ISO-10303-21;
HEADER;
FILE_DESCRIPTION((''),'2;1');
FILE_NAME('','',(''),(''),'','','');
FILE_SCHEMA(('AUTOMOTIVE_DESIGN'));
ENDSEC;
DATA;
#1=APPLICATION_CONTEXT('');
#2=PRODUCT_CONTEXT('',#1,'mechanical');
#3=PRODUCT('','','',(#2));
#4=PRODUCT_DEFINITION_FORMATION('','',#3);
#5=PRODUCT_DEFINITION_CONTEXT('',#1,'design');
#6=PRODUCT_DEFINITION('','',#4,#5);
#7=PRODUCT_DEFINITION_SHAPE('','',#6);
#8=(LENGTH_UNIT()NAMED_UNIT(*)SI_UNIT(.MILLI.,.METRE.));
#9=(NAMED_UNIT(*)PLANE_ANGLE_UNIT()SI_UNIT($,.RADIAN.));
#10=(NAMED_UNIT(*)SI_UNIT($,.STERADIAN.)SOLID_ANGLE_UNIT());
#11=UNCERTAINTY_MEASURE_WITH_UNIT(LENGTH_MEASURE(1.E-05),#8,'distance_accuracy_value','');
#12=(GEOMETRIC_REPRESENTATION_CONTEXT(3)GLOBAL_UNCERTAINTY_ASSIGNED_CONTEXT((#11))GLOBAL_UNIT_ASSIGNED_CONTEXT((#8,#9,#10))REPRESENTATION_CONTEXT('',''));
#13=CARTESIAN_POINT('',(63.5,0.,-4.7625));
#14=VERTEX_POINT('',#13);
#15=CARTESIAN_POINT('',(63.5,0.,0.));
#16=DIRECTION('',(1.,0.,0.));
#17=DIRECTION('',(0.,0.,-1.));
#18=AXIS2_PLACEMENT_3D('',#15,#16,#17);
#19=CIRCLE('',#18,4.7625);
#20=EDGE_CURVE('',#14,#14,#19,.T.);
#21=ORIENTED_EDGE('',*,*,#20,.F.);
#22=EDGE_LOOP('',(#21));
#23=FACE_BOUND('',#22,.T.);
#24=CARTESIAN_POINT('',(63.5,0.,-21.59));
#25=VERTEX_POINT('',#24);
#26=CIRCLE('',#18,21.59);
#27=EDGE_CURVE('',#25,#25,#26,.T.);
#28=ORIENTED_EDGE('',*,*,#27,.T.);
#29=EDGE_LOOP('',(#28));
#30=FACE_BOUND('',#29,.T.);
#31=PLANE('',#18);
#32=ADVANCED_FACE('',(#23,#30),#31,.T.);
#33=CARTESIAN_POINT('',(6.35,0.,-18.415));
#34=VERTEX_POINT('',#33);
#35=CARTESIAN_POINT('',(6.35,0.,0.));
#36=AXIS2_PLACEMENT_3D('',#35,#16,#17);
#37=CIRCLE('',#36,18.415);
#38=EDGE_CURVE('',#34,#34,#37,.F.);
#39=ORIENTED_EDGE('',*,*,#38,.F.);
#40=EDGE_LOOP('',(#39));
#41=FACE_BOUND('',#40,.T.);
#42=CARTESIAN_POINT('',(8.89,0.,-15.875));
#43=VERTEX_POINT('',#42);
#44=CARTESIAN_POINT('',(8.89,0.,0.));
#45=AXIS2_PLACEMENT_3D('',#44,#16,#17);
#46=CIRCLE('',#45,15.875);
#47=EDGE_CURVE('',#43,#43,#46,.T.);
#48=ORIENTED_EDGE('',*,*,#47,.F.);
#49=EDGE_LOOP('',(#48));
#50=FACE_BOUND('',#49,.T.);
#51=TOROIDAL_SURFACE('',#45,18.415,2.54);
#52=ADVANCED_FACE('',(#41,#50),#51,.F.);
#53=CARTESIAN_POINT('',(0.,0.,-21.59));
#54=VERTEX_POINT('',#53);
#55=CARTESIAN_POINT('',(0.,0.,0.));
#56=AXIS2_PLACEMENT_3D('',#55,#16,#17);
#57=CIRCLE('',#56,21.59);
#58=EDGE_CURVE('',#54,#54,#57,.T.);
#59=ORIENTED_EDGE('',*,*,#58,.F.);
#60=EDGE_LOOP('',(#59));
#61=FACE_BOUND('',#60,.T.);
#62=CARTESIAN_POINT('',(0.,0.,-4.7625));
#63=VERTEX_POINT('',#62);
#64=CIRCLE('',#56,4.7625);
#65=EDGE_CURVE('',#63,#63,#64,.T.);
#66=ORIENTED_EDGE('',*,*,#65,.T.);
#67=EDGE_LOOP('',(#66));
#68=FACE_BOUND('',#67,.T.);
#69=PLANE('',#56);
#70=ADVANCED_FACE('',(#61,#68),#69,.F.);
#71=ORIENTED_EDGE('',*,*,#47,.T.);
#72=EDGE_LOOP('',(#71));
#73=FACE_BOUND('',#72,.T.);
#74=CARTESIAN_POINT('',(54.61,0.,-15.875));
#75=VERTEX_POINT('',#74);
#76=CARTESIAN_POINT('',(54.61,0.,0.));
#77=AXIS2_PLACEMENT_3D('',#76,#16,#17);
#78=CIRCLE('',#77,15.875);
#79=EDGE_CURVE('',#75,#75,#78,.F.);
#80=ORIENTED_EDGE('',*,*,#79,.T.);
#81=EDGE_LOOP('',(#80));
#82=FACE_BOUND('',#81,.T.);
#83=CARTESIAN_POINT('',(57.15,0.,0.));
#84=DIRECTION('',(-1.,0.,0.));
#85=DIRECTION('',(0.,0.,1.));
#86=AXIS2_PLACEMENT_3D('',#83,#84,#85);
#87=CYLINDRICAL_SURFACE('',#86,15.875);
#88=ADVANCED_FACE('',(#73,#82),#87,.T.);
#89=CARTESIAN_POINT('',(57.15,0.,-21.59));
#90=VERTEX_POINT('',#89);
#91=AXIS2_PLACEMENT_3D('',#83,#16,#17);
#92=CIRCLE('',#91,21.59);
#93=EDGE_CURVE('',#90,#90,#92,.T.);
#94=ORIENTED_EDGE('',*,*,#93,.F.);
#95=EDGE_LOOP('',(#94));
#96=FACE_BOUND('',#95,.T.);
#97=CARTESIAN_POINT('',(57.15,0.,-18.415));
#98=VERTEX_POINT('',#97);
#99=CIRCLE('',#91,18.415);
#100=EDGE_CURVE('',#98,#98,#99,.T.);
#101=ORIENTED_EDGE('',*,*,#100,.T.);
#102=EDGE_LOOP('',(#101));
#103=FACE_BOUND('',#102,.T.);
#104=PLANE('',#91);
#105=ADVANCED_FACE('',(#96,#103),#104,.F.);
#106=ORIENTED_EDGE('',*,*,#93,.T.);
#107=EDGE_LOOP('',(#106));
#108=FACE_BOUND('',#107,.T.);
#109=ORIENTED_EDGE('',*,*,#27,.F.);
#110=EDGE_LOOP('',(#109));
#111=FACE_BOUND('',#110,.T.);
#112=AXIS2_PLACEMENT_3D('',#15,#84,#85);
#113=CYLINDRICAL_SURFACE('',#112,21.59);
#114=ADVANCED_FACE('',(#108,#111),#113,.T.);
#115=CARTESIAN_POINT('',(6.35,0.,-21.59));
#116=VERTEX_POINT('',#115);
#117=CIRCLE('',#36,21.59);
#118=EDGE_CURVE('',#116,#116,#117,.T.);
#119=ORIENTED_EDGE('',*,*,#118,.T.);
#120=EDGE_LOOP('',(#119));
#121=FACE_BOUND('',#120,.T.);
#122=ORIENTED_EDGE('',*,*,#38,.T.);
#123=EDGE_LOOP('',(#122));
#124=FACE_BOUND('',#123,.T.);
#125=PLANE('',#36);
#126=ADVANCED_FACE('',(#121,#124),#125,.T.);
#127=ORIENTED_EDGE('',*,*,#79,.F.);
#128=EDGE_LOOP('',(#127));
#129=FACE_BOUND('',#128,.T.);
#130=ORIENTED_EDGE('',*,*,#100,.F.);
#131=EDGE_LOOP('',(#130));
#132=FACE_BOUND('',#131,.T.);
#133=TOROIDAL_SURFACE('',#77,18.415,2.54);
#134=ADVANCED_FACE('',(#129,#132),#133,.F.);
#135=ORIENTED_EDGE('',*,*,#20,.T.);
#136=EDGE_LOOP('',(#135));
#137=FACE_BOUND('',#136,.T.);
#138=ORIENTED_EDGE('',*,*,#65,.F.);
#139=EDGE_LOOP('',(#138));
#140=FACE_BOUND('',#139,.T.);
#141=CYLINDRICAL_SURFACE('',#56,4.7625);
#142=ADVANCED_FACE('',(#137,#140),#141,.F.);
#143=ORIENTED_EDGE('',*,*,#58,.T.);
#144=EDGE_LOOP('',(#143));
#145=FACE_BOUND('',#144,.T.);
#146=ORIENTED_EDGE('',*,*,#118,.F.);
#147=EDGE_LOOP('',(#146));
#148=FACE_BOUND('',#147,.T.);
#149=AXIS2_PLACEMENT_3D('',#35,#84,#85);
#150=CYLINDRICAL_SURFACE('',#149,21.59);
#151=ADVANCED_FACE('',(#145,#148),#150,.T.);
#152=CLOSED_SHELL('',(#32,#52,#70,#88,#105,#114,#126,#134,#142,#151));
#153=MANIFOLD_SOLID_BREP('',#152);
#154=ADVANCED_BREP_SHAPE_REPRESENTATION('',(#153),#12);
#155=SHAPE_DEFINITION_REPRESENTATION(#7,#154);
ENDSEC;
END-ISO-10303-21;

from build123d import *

# Parameters (mm, degrees)
SKETCH1_R           = 21.59
BOSS_EXTRUDE1_DEPTH = 6.35
SKETCH2_R           = 15.875
BOSS_EXTRUDE2_DEPTH = 50.8
FILLET1_R           = 2.54
SKETCH3_R           = 21.59
BOSS_EXTRUDE3_DEPTH = 6.35
FILLET2_R           = 2.54
SKETCH4_R           = 4.7625
CUT_EXTRUDE1_DEPTH  = 71.459252054


with BuildPart() as part:
    # Sketch1 → Boss-Extrude1 (new body)
    with BuildSketch(Plane(origin=(0, 0, 0), x_dir=(0, 0, -1), z_dir=(1, 0, 0))):
        Circle(SKETCH1_R)
    extrude(amount=BOSS_EXTRUDE1_DEPTH)

    # Sketch2 → Boss-Extrude2 (add)
    with BuildSketch(Plane(origin=(6.35, 0, 0), x_dir=(0, 0, -1), z_dir=(1, 0, 0))):
        Circle(SKETCH2_R)
    extrude(amount=BOSS_EXTRUDE2_DEPTH)

    # Fillet1
    fillet1_edges = [part.edges().sort_by_distance(p)[0] for p in [
        (6.35, 0, 15.875),
    ]]
    fillet(fillet1_edges, radius=FILLET1_R)

    # Sketch3 → Boss-Extrude3 (add)
    with BuildSketch(Plane(origin=(57.15, 0, 0), x_dir=(0, 0, -1), z_dir=(1, 0, 0))):
        Circle(SKETCH3_R)
    extrude(amount=BOSS_EXTRUDE3_DEPTH)

    # Fillet2
    fillet2_edges = [part.edges().sort_by_distance(p)[0] for p in [
        (57.15, 0, 15.875),
    ]]
    fillet(fillet2_edges, radius=FILLET2_R)

    # Sketch4 → Cut-Extrude1 (cut, through all)
    with BuildSketch(Plane(origin=(63.5, 0, 0), x_dir=(0, 0, -1), z_dir=(1, 0, 0))):
        Circle(SKETCH4_R)
    extrude(amount=-CUT_EXTRUDE1_DEPTH, mode=Mode.SUBTRACT)


solid = part.part
